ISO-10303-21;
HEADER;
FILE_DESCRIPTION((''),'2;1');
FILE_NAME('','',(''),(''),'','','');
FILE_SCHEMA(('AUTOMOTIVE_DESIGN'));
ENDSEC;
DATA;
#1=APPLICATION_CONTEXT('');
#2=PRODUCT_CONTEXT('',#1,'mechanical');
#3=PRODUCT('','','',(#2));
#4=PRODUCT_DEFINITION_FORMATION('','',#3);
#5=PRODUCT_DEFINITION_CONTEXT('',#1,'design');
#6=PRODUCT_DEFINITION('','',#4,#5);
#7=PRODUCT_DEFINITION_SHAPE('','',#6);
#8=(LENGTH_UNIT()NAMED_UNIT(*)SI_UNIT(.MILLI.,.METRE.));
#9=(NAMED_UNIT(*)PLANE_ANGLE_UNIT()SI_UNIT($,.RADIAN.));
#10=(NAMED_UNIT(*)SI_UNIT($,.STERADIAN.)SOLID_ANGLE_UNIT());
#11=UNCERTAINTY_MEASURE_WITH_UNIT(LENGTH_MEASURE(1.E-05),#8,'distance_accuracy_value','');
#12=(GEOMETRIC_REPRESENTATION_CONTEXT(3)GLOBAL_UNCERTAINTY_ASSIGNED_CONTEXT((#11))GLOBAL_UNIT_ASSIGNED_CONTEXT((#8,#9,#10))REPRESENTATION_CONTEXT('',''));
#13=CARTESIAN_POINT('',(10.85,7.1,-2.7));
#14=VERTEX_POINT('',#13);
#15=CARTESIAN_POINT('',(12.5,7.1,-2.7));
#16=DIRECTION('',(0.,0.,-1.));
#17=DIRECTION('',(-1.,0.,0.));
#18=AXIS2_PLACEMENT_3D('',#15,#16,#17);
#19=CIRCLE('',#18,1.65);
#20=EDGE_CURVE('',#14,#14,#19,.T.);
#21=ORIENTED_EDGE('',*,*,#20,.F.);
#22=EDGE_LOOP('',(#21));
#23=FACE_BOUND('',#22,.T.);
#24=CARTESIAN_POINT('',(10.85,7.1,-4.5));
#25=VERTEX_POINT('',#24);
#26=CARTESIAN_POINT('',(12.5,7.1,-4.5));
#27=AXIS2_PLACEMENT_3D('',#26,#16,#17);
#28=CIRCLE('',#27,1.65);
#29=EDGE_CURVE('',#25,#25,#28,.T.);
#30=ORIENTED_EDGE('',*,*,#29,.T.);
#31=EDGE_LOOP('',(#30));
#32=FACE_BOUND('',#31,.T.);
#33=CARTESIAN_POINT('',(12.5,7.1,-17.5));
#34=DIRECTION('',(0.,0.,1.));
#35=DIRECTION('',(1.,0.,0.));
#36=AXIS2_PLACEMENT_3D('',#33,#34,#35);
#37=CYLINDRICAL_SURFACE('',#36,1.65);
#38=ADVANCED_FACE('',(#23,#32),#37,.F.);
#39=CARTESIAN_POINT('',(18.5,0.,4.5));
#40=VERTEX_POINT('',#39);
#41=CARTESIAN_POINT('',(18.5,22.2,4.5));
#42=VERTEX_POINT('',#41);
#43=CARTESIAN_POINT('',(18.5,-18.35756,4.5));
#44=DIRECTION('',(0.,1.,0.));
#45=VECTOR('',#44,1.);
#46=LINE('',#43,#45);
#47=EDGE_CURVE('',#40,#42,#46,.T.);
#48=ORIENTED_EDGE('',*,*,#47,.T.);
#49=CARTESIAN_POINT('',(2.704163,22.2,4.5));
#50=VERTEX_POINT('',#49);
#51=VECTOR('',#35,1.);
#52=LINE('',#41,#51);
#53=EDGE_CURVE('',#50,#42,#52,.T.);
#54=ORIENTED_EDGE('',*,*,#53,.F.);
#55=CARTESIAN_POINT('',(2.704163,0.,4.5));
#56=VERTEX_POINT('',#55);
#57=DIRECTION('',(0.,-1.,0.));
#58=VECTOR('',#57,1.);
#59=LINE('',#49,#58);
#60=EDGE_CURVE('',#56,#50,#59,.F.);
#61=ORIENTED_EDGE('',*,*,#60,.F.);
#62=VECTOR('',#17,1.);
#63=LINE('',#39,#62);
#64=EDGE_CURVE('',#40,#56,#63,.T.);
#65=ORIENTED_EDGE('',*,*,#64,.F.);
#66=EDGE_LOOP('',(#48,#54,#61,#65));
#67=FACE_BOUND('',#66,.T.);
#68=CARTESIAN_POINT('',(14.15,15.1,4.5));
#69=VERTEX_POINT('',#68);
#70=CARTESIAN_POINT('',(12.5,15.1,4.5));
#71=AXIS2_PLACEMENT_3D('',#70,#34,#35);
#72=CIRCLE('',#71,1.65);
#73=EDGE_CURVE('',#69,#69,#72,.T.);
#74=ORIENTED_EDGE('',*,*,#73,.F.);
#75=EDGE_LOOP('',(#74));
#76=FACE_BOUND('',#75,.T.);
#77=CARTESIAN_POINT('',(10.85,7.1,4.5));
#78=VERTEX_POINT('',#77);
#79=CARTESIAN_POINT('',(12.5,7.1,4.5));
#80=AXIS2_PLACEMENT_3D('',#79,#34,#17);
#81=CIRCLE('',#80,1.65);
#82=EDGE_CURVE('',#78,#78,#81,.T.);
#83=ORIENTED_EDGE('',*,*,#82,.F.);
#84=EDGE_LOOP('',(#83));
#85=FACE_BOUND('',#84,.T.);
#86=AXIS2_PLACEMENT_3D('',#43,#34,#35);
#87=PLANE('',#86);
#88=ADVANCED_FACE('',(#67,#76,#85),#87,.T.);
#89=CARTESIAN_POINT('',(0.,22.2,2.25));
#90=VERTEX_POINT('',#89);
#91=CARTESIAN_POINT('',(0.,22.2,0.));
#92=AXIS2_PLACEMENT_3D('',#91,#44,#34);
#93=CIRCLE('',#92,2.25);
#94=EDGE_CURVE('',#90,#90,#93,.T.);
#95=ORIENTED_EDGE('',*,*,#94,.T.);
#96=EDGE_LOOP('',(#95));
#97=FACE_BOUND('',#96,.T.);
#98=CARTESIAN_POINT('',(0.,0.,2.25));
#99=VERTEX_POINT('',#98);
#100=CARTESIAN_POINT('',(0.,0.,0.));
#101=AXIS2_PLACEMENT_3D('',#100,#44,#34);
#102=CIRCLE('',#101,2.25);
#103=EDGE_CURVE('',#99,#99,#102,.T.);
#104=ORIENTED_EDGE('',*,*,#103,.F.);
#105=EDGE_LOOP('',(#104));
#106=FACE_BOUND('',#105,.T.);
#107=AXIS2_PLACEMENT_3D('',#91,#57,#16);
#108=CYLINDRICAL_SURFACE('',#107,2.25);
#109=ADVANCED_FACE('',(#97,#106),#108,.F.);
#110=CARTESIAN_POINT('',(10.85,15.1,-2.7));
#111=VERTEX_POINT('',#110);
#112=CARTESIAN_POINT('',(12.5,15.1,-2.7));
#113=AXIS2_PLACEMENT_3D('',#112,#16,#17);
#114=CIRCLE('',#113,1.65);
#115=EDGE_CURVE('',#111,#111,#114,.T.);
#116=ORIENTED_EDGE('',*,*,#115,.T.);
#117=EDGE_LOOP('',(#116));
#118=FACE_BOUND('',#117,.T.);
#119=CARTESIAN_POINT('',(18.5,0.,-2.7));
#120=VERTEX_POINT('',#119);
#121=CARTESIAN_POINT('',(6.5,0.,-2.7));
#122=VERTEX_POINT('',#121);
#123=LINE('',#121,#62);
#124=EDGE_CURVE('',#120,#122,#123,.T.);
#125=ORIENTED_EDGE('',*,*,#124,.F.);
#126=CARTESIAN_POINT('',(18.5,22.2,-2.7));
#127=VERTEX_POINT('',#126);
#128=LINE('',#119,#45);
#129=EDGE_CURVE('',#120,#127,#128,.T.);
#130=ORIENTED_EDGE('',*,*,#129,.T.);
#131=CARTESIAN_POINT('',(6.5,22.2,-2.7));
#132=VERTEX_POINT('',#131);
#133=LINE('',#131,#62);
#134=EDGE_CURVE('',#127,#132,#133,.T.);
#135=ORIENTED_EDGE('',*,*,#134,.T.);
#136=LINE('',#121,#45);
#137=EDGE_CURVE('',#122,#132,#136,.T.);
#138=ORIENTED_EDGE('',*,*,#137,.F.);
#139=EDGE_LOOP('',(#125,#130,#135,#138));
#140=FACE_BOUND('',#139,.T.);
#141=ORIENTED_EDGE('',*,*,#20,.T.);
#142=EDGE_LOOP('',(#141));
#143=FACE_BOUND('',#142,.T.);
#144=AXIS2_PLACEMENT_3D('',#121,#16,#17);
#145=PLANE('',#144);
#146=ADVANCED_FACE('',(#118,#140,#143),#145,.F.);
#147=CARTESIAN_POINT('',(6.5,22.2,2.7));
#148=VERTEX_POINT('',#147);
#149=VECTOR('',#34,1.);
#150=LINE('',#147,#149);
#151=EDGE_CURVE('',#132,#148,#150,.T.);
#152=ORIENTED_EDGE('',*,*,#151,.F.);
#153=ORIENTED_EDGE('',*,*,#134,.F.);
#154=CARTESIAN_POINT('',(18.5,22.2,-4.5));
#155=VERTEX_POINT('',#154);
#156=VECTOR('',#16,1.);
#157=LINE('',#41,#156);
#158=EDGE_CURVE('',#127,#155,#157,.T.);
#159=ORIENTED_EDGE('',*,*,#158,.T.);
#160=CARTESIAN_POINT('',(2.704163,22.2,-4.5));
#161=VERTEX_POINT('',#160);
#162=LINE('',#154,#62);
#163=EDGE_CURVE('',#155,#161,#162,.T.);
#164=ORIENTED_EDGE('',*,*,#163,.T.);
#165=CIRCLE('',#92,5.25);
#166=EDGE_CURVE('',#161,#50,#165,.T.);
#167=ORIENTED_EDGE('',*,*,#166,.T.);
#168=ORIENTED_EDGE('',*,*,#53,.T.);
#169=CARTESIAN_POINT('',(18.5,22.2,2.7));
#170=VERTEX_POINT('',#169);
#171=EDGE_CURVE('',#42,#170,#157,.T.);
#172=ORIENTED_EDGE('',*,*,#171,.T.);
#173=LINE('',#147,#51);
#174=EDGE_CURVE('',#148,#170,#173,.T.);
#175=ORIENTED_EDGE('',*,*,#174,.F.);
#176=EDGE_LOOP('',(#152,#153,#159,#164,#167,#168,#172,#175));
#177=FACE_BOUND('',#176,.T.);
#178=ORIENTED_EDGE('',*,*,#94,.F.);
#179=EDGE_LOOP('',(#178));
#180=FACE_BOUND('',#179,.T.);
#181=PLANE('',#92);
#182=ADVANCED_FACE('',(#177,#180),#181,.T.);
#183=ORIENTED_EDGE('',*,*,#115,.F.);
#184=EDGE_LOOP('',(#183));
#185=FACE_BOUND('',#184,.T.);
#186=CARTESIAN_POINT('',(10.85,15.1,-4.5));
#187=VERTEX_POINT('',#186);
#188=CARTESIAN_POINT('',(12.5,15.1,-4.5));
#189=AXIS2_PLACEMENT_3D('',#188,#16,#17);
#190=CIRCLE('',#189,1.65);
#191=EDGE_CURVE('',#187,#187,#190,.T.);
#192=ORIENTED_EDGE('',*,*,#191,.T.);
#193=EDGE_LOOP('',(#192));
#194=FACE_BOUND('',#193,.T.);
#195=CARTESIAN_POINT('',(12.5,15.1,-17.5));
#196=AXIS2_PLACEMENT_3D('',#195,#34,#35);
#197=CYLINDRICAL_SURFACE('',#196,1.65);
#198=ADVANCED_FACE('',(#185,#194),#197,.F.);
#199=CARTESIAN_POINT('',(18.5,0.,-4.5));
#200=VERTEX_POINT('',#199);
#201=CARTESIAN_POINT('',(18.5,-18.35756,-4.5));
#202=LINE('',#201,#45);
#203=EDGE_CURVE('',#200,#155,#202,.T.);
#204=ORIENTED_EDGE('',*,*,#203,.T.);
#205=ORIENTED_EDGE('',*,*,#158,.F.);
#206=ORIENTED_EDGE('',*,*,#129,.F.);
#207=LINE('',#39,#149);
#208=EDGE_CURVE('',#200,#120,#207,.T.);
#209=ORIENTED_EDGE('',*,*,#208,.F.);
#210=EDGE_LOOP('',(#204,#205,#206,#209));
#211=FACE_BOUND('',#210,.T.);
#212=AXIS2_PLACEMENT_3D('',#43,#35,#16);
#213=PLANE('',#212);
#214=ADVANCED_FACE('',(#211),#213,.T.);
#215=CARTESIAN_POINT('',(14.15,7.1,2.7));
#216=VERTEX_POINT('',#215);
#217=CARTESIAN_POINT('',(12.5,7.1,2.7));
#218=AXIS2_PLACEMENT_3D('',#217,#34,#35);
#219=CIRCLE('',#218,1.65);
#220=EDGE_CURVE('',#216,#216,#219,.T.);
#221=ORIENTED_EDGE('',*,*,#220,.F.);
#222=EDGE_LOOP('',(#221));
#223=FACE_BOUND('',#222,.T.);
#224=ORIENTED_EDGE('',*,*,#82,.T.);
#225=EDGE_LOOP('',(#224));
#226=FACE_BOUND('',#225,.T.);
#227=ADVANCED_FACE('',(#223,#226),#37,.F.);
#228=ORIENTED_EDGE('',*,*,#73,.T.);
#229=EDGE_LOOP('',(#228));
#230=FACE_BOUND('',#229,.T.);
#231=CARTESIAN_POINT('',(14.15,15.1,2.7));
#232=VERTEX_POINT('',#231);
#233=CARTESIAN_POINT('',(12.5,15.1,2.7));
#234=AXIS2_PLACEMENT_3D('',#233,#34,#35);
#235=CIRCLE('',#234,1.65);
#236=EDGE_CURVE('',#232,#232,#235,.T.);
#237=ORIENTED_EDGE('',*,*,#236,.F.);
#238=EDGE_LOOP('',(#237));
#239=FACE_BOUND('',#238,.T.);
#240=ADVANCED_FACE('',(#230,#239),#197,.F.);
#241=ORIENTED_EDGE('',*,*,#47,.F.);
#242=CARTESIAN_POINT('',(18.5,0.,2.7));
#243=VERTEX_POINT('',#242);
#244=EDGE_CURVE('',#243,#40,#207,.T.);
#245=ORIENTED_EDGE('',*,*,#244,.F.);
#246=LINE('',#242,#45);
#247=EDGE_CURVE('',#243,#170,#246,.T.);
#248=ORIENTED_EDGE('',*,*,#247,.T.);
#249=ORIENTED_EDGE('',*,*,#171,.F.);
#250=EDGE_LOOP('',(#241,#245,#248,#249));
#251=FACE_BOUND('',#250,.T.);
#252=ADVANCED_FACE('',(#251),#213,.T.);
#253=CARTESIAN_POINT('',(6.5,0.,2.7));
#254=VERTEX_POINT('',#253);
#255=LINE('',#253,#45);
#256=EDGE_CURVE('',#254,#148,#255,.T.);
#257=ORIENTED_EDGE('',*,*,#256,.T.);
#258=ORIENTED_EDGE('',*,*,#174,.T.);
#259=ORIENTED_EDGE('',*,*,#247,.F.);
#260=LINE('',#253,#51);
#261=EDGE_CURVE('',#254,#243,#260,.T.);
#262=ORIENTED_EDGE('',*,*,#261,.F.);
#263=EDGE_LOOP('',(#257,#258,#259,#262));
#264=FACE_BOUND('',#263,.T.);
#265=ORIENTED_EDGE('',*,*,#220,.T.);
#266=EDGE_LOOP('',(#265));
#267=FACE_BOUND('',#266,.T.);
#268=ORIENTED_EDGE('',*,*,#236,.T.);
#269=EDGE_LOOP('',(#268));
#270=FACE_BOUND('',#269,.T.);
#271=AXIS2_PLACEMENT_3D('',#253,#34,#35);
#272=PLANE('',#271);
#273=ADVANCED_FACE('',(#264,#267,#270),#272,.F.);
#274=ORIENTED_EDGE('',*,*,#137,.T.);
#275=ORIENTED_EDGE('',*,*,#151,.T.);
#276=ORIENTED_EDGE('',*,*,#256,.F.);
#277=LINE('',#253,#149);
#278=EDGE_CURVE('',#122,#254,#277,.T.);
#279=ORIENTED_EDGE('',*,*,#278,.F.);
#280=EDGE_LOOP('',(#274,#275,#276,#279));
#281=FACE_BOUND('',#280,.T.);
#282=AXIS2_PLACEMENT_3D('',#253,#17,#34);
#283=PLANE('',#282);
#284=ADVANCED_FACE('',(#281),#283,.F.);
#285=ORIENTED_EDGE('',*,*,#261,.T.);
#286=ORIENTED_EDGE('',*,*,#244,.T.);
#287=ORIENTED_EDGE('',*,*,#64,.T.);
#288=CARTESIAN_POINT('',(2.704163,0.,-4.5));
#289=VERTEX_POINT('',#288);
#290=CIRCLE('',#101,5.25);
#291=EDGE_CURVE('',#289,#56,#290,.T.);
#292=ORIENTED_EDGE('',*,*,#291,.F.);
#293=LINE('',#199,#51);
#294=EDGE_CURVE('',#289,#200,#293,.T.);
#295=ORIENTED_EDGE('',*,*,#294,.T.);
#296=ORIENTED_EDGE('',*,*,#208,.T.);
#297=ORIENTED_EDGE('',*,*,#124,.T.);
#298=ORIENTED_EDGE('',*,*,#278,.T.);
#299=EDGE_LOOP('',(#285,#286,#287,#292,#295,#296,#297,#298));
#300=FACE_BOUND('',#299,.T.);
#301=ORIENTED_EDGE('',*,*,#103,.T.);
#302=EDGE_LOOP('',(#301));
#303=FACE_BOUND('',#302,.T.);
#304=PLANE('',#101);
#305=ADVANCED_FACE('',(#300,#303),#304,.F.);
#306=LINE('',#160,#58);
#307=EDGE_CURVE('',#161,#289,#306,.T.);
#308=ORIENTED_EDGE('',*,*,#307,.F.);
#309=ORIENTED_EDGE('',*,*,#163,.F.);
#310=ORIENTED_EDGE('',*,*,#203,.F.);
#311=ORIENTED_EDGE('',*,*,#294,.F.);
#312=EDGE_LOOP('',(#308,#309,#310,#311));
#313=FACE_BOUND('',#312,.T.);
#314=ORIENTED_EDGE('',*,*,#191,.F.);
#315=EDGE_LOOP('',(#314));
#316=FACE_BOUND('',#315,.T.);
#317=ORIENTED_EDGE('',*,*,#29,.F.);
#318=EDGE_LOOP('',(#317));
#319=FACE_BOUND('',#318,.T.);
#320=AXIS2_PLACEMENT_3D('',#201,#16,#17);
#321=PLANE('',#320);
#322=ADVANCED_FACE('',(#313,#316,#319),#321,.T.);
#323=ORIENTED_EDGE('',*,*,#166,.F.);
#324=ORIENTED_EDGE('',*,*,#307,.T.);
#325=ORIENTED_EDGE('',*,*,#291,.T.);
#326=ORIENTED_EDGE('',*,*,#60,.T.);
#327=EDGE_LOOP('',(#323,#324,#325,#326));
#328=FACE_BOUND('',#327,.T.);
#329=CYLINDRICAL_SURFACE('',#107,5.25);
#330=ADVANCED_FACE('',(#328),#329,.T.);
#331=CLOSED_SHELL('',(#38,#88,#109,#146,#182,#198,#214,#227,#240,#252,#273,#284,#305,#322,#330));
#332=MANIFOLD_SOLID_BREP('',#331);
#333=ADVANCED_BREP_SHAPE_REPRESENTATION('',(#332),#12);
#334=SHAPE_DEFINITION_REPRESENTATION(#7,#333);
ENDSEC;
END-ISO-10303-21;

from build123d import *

# Parameters (mm, degrees)
SKETCH_1_R          = 5.25
SKETCH_1_R_2        = 2.25
EXTRUDE_1_DEPTH     = 22.2
SKETCH_2_W          = 16
SKETCH_2_H          = 9
EXTRUDE_2_DEPTH     = 22.2
SKETCH_3_W          = 12
SKETCH_3_H          = 5.4
CUT_EXTRUDE_1_DEPTH = 30.370946529
SKETCH_4_R          = 1.65
CUT_EXTRUDE_2_DEPTH = 22


with BuildPart() as part:
    # 草图1 → 凸台-拉伸1 (new body)
    with BuildSketch(Plane(origin=(0, 0, 0), x_dir=(1, 0, 0), z_dir=(0, 1, 0))):
        with Locations(Location((0, 0, 0), (0, 0, 270))):
            Circle(SKETCH_1_R)
        with Locations(Location((0, 0, 0), (0, 0, 270))):
            Circle(SKETCH_1_R_2, mode=Mode.SUBTRACT)
    extrude(amount=EXTRUDE_1_DEPTH)

    # 草图2 → 凸台-拉伸2 (add)
    with BuildSketch(Plane(origin=(0, 22.2, 0), x_dir=(1, 0, 0), z_dir=(0, 1, 0))):
        with Locations((10.5, 0)):
            Rectangle(SKETCH_2_W, SKETCH_2_H)
    extrude(amount=-EXTRUDE_2_DEPTH)

    # 草图3 → 切除-拉伸1 (cut, through all)
    with BuildSketch(Plane(origin=(0, 22.2, 0), x_dir=(1, 0, 0), z_dir=(0, 1, 0))):
        with Locations((12.5, 0)):
            Rectangle(SKETCH_3_W, SKETCH_3_H)
    extrude(amount=-CUT_EXTRUDE_1_DEPTH, mode=Mode.SUBTRACT)

    # 草图4 → 切除-拉伸2 (cut)
    with BuildSketch(Plane.XY.offset(4.5)):
        with Locations(Location((12.5, 15.1, 0), (0, 0, 180))):
            Circle(SKETCH_4_R)
        with Locations(Location((12.5, 7.1, 0), (0, 0, 180))):
            Circle(SKETCH_4_R)
    extrude(amount=-CUT_EXTRUDE_2_DEPTH, mode=Mode.SUBTRACT)


solid = part.part
